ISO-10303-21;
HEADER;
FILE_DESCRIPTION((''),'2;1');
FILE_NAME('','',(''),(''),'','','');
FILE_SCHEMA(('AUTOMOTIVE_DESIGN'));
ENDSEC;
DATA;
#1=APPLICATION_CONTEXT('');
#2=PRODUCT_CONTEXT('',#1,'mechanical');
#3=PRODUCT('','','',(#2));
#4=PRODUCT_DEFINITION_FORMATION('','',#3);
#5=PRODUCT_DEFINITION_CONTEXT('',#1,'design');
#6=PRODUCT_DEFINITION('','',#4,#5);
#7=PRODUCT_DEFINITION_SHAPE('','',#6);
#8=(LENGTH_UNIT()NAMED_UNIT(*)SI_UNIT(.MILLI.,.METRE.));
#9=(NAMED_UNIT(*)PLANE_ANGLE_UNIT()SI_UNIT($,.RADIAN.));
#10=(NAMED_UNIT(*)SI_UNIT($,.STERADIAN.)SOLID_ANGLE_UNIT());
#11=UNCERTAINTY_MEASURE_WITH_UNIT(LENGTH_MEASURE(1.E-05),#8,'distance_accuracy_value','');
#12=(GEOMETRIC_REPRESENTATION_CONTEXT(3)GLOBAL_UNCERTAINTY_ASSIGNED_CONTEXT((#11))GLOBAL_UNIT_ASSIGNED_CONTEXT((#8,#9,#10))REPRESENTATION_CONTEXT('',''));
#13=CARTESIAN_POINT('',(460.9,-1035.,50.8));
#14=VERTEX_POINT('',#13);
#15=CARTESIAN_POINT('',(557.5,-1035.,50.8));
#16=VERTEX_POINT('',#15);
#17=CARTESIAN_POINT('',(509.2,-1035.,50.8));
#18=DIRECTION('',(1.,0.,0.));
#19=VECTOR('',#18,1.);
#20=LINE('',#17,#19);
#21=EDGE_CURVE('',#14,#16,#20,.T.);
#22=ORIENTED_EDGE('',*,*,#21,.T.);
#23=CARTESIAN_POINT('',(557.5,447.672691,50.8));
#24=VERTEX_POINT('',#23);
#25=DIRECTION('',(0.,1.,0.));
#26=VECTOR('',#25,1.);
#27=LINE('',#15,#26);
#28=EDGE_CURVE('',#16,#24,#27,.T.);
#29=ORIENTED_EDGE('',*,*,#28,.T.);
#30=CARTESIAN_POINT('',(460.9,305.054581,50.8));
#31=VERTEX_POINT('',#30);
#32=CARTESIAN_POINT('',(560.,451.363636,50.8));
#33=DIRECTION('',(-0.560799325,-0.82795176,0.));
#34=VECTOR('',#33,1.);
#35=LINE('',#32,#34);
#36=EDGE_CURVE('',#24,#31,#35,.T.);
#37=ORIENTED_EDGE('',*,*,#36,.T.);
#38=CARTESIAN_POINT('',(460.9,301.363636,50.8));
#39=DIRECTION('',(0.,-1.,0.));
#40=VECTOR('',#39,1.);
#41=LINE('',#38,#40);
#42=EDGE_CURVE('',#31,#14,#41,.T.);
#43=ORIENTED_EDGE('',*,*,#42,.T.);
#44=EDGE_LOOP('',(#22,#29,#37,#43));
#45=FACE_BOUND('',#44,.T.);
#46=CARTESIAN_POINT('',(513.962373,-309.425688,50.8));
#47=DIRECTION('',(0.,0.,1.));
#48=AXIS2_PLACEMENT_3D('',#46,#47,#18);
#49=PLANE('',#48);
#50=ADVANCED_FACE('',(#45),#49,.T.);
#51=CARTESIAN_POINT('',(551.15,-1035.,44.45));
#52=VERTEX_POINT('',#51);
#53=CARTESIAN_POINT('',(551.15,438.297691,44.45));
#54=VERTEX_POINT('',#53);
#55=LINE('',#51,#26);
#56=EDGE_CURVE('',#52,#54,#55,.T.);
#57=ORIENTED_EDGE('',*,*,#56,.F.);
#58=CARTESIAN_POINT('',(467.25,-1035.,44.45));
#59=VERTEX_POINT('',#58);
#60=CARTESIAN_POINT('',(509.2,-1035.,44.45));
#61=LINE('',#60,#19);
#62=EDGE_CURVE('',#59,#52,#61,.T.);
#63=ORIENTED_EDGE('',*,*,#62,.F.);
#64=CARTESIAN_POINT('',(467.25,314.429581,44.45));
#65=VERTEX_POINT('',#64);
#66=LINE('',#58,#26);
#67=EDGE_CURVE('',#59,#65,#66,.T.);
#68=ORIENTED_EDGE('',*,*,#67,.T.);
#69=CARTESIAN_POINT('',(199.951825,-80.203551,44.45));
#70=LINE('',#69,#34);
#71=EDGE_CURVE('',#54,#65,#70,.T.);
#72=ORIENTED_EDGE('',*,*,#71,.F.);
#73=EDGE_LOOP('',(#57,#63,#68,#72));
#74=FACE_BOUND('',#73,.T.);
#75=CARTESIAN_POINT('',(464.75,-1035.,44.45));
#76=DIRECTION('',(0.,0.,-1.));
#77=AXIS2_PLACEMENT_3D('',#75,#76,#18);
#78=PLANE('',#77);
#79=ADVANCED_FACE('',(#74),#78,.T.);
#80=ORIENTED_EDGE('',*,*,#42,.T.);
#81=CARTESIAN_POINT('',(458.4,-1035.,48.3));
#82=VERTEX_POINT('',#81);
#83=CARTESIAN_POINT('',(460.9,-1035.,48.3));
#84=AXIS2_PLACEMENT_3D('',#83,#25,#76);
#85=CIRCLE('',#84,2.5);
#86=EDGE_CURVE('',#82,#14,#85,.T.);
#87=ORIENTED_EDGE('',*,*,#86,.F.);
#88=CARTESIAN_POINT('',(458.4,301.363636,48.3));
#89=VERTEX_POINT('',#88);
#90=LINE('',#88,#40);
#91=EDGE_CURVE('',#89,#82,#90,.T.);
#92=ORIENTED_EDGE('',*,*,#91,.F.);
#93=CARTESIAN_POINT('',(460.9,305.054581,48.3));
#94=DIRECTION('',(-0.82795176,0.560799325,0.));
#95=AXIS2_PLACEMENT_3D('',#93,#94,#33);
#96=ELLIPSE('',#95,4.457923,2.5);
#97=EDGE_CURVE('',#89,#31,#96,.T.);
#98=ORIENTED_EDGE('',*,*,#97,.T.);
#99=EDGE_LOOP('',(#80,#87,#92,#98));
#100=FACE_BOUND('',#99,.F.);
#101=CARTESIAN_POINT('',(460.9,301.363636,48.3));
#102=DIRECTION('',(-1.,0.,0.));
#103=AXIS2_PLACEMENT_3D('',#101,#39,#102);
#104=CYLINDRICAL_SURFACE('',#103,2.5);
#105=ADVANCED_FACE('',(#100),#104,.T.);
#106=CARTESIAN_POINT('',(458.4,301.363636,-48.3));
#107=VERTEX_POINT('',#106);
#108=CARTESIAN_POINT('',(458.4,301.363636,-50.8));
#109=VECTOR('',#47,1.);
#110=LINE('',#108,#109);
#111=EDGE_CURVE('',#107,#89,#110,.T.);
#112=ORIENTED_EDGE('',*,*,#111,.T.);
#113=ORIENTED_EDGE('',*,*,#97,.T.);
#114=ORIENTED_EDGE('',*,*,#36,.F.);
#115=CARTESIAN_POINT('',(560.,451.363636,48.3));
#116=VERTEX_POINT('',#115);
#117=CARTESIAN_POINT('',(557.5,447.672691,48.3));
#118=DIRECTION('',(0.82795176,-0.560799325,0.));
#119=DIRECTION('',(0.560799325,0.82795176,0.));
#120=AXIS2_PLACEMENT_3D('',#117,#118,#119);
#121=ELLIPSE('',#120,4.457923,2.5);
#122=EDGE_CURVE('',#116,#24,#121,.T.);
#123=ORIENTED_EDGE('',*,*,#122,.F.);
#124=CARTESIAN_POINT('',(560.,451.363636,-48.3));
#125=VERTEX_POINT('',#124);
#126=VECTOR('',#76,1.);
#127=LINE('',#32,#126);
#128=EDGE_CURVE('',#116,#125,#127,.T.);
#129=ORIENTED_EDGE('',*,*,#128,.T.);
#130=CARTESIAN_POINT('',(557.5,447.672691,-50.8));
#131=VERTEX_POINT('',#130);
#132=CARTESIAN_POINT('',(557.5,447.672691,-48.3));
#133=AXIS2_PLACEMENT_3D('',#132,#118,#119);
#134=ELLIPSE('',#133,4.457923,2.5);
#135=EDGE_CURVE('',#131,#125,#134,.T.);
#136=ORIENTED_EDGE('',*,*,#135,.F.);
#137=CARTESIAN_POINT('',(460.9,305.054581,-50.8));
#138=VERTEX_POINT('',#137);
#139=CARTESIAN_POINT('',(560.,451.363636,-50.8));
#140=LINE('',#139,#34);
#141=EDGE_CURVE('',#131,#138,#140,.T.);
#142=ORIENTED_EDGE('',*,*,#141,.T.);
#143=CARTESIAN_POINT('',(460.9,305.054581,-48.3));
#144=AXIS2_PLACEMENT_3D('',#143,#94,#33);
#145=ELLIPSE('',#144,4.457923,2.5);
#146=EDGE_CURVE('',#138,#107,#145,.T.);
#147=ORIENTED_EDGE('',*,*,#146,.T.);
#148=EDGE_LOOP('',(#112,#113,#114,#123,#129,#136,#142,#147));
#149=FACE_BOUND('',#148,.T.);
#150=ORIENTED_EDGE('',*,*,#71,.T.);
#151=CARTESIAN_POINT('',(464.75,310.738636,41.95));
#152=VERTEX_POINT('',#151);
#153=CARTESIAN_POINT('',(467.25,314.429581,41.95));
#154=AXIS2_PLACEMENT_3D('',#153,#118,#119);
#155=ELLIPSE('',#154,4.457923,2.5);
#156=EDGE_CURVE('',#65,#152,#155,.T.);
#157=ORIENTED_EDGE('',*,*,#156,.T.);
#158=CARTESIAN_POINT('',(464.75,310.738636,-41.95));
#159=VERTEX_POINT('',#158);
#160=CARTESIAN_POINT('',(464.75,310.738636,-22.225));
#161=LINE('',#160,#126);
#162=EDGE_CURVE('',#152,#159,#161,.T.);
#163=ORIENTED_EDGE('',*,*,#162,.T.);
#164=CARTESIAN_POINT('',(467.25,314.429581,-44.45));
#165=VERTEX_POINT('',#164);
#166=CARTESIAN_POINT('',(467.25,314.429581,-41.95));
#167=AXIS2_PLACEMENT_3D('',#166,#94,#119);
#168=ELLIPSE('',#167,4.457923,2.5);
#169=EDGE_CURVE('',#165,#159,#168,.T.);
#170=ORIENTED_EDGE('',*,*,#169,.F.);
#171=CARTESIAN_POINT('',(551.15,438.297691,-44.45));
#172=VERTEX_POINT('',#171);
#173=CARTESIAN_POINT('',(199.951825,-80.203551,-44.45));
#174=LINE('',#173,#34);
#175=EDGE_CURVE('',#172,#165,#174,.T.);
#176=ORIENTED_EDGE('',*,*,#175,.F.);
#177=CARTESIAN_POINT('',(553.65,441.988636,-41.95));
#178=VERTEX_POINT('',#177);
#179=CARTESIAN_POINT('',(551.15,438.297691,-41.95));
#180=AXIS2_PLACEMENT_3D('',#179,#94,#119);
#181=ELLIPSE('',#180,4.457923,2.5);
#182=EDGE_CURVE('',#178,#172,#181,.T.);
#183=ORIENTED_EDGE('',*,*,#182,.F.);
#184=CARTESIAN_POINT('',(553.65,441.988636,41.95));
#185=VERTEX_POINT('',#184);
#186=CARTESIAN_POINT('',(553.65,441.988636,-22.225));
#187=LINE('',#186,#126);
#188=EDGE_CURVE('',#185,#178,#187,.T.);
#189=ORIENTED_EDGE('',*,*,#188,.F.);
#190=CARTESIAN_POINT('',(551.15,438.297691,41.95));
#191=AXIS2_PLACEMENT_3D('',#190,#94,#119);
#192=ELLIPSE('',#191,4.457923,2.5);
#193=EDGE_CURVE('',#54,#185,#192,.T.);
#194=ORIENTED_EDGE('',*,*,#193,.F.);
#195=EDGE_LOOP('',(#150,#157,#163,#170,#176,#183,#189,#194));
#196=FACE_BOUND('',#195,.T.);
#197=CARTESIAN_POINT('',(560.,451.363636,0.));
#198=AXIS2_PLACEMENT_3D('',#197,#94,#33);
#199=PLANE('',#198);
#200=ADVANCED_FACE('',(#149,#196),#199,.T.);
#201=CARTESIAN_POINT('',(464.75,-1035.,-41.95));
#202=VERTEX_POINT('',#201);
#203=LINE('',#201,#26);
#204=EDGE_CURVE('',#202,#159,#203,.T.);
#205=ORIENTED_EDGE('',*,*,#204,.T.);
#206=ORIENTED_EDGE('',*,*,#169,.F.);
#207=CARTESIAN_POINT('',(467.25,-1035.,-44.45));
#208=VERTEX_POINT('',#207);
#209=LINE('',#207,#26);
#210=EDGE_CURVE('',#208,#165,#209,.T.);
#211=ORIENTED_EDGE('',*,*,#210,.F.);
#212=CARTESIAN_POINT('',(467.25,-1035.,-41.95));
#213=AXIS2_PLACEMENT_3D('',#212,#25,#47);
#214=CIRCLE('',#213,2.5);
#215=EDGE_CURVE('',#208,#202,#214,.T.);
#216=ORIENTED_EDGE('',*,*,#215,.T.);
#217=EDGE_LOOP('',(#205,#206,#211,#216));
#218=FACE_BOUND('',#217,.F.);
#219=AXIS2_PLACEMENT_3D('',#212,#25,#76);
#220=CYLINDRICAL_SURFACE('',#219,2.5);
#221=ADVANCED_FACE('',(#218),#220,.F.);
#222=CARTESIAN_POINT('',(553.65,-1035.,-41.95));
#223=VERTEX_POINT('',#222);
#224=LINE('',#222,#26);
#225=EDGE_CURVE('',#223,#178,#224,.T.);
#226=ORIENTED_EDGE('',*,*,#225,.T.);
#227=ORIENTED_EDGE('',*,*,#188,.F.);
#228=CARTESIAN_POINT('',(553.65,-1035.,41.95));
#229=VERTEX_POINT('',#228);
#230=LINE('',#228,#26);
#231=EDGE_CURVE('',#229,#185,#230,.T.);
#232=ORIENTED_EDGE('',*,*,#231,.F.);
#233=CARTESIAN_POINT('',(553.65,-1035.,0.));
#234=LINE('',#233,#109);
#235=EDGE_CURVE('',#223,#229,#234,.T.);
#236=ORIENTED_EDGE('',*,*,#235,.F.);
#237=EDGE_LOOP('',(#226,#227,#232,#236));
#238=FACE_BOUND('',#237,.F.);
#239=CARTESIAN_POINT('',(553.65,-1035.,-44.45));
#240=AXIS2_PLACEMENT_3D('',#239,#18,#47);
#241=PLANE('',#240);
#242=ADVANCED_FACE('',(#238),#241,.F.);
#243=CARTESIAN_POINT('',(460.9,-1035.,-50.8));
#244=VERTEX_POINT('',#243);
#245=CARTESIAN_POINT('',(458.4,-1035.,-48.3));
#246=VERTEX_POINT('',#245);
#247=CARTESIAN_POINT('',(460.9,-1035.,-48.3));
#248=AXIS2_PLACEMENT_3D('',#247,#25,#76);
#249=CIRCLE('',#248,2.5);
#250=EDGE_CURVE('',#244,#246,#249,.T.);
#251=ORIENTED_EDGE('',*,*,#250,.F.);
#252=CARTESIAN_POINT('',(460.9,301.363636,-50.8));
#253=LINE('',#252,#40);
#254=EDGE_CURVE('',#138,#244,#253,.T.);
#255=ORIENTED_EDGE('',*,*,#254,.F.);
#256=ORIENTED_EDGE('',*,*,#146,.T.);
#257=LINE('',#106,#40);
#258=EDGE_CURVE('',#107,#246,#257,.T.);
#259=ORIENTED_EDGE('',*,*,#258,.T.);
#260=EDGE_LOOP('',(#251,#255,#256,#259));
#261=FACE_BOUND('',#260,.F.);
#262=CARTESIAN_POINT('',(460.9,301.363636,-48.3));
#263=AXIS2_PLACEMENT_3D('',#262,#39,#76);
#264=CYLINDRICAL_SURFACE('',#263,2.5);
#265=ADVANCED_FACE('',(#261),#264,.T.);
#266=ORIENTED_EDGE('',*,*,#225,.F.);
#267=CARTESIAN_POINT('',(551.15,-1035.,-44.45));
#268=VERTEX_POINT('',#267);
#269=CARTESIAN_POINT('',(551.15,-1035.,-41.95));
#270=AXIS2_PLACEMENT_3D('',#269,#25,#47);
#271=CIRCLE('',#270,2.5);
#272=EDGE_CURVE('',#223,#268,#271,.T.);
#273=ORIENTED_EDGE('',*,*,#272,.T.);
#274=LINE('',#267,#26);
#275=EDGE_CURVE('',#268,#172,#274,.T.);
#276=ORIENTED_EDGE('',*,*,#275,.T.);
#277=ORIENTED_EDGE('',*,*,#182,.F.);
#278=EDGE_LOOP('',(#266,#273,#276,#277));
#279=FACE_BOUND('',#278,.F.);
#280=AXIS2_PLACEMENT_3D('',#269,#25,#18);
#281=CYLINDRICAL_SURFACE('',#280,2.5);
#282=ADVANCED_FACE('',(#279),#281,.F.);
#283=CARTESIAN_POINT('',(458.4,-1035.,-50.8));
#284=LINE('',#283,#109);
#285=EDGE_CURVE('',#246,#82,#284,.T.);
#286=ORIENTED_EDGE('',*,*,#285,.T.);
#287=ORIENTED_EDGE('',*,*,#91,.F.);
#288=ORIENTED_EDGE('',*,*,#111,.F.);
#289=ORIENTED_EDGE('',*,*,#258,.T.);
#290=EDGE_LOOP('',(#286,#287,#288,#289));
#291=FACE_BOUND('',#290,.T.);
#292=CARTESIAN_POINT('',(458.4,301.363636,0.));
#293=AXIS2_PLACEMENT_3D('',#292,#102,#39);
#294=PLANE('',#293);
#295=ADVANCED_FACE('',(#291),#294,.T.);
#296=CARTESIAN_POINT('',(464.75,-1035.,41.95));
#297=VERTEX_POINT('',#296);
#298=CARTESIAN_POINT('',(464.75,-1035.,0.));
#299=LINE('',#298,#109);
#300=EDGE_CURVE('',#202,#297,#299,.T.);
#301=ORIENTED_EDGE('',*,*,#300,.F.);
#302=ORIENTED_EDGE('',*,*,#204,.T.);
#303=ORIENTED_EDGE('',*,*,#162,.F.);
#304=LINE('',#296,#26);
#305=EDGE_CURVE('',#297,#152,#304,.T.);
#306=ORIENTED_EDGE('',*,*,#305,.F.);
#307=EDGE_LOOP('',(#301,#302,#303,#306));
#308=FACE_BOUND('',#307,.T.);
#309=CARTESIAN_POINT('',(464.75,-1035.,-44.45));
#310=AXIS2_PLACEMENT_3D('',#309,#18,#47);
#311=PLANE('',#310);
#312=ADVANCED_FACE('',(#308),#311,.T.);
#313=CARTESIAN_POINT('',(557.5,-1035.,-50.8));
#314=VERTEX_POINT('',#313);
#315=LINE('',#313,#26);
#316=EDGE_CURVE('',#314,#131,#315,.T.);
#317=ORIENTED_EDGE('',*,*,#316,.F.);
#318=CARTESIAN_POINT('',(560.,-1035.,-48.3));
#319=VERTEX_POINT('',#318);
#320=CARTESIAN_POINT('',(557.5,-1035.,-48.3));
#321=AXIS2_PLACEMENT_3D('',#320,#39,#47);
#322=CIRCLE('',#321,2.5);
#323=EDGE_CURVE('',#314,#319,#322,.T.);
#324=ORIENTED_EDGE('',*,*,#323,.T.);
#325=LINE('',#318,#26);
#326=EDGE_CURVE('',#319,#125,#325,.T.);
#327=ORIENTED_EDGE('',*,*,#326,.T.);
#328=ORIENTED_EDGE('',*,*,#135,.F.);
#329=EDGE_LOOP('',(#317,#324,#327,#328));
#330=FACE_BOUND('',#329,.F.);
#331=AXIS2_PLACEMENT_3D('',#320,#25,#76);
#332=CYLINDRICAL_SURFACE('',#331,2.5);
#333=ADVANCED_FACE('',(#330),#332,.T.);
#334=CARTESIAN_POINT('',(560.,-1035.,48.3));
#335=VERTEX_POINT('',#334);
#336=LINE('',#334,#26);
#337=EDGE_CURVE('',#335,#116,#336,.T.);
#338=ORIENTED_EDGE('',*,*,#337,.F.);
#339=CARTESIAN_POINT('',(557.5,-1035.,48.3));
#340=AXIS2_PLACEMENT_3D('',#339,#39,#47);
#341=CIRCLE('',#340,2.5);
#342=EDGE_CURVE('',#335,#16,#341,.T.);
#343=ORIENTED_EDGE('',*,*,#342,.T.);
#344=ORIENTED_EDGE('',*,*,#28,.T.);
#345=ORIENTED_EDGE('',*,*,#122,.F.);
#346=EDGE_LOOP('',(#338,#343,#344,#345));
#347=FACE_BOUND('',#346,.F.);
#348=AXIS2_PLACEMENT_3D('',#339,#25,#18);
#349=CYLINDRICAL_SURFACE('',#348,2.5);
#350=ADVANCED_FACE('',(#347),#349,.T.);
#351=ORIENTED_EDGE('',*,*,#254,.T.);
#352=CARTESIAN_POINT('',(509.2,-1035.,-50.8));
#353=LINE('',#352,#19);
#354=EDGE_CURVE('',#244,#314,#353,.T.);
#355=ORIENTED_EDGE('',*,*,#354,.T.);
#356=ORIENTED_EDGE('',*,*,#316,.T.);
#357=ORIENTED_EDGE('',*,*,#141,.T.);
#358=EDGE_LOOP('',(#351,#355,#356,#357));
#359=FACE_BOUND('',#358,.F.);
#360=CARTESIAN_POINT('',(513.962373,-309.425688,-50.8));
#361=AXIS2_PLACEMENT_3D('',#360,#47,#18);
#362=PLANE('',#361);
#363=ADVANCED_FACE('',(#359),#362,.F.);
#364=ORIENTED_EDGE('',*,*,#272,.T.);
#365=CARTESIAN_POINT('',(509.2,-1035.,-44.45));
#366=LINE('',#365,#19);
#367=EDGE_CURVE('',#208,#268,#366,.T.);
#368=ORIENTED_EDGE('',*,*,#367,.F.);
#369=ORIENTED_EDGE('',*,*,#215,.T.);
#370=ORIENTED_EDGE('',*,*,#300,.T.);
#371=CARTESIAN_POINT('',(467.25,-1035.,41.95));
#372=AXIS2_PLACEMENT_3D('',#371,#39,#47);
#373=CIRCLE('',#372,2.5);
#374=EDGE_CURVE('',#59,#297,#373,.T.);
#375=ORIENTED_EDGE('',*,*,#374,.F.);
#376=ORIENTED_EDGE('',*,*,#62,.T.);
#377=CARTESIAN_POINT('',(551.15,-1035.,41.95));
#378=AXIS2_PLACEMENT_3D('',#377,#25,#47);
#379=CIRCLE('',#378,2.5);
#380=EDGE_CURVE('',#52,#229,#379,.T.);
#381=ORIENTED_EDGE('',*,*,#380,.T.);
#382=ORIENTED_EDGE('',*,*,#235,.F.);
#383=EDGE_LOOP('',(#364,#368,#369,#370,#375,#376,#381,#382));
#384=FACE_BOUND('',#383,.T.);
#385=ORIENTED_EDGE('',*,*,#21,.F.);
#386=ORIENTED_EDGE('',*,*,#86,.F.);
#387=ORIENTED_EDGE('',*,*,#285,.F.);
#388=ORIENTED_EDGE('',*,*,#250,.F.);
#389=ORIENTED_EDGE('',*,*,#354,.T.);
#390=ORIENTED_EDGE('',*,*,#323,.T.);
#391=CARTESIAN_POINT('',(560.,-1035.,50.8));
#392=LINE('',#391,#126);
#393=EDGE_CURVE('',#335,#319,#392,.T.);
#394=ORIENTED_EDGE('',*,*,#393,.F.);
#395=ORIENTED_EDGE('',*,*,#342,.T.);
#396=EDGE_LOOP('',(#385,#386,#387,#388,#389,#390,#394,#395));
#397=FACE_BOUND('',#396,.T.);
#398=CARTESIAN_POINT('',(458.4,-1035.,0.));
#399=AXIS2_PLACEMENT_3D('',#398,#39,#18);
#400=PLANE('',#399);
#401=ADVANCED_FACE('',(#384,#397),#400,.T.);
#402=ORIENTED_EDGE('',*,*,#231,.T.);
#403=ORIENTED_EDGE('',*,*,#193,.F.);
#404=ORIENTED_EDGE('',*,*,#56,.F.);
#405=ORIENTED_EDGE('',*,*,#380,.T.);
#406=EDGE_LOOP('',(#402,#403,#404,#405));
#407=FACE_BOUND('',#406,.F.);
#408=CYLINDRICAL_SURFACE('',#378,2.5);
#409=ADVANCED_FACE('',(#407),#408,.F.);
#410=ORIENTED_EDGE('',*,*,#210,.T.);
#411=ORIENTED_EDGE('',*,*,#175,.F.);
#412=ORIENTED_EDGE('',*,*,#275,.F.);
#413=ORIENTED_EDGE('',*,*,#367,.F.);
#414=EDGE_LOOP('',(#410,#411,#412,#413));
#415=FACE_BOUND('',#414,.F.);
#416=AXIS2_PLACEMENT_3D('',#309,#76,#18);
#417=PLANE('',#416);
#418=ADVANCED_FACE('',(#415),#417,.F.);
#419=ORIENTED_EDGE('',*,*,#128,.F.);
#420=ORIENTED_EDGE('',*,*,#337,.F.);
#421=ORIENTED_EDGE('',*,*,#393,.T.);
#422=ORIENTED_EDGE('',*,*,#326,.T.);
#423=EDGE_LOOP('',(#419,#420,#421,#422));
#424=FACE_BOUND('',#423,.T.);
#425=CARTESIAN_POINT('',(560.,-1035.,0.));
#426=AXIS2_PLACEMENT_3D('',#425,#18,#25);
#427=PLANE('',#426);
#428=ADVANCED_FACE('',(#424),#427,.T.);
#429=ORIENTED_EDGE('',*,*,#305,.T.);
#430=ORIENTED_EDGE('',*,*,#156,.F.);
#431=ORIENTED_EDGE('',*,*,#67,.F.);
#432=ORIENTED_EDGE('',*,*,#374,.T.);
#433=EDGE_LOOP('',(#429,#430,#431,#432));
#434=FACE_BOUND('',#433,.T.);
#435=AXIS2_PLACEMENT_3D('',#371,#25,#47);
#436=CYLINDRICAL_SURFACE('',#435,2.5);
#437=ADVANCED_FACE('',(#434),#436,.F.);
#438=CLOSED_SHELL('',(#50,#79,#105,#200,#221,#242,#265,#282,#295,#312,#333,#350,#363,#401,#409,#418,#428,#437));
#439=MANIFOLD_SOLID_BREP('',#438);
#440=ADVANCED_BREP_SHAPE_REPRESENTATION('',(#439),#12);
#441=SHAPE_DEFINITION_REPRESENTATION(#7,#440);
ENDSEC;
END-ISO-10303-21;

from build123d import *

# Parameters (mm, degrees)
F0_W     = 101.6
F0_H     = 376.3636363636
F1_DEPTH = 50.8
F2_W     = 88.9
F2_H     = 88.9
F3_DEPTH = 1476.9896363636
F4_R     = 2.5


with BuildPart() as f1:
    # F0 (on Top) → F1 (new body, symmetric)
    with BuildSketch(Plane.XY):
        Polygon((560, -75), (560, 75), (458.4, -75), (458.4, -658.6363636364), (560, -658.6363636364), align=None)
        Polygon((458.4, -75), (560, 75), (560, 301.3636363636), (560, 451.3636363636), (458.4, 301.3636363636), align=None)
        with Locations((509.2, -846.8181818182)):
            Rectangle(F0_W, F0_H)
    extrude(amount=F1_DEPTH, both=True)

    # F2 (on face) → F3 (cut, through all)
    with BuildSketch(Plane.XZ.offset(1035)):
        with Locations((509.2, 0)):
            Rectangle(F2_W, F2_H)
    extrude(amount=-F3_DEPTH, mode=Mode.SUBTRACT)

    # F4
    f4_edges = [f1.edges().sort_by_distance(p)[0] for p in [
        (560, -291.818182, 50.8),
        (458.4, -366.818182, 50.8),
        (458.4, -366.818182, -50.8),
        (560, -291.818182, -50.8),
        (464.75, -362.130682, 44.45),
        (553.65, -296.505682, 44.45),
        (553.65, -296.505682, -44.45),
        (464.75, -362.130682, -44.45),
    ]]
    fillet(f4_edges, radius=F4_R)


solid = f1.part
